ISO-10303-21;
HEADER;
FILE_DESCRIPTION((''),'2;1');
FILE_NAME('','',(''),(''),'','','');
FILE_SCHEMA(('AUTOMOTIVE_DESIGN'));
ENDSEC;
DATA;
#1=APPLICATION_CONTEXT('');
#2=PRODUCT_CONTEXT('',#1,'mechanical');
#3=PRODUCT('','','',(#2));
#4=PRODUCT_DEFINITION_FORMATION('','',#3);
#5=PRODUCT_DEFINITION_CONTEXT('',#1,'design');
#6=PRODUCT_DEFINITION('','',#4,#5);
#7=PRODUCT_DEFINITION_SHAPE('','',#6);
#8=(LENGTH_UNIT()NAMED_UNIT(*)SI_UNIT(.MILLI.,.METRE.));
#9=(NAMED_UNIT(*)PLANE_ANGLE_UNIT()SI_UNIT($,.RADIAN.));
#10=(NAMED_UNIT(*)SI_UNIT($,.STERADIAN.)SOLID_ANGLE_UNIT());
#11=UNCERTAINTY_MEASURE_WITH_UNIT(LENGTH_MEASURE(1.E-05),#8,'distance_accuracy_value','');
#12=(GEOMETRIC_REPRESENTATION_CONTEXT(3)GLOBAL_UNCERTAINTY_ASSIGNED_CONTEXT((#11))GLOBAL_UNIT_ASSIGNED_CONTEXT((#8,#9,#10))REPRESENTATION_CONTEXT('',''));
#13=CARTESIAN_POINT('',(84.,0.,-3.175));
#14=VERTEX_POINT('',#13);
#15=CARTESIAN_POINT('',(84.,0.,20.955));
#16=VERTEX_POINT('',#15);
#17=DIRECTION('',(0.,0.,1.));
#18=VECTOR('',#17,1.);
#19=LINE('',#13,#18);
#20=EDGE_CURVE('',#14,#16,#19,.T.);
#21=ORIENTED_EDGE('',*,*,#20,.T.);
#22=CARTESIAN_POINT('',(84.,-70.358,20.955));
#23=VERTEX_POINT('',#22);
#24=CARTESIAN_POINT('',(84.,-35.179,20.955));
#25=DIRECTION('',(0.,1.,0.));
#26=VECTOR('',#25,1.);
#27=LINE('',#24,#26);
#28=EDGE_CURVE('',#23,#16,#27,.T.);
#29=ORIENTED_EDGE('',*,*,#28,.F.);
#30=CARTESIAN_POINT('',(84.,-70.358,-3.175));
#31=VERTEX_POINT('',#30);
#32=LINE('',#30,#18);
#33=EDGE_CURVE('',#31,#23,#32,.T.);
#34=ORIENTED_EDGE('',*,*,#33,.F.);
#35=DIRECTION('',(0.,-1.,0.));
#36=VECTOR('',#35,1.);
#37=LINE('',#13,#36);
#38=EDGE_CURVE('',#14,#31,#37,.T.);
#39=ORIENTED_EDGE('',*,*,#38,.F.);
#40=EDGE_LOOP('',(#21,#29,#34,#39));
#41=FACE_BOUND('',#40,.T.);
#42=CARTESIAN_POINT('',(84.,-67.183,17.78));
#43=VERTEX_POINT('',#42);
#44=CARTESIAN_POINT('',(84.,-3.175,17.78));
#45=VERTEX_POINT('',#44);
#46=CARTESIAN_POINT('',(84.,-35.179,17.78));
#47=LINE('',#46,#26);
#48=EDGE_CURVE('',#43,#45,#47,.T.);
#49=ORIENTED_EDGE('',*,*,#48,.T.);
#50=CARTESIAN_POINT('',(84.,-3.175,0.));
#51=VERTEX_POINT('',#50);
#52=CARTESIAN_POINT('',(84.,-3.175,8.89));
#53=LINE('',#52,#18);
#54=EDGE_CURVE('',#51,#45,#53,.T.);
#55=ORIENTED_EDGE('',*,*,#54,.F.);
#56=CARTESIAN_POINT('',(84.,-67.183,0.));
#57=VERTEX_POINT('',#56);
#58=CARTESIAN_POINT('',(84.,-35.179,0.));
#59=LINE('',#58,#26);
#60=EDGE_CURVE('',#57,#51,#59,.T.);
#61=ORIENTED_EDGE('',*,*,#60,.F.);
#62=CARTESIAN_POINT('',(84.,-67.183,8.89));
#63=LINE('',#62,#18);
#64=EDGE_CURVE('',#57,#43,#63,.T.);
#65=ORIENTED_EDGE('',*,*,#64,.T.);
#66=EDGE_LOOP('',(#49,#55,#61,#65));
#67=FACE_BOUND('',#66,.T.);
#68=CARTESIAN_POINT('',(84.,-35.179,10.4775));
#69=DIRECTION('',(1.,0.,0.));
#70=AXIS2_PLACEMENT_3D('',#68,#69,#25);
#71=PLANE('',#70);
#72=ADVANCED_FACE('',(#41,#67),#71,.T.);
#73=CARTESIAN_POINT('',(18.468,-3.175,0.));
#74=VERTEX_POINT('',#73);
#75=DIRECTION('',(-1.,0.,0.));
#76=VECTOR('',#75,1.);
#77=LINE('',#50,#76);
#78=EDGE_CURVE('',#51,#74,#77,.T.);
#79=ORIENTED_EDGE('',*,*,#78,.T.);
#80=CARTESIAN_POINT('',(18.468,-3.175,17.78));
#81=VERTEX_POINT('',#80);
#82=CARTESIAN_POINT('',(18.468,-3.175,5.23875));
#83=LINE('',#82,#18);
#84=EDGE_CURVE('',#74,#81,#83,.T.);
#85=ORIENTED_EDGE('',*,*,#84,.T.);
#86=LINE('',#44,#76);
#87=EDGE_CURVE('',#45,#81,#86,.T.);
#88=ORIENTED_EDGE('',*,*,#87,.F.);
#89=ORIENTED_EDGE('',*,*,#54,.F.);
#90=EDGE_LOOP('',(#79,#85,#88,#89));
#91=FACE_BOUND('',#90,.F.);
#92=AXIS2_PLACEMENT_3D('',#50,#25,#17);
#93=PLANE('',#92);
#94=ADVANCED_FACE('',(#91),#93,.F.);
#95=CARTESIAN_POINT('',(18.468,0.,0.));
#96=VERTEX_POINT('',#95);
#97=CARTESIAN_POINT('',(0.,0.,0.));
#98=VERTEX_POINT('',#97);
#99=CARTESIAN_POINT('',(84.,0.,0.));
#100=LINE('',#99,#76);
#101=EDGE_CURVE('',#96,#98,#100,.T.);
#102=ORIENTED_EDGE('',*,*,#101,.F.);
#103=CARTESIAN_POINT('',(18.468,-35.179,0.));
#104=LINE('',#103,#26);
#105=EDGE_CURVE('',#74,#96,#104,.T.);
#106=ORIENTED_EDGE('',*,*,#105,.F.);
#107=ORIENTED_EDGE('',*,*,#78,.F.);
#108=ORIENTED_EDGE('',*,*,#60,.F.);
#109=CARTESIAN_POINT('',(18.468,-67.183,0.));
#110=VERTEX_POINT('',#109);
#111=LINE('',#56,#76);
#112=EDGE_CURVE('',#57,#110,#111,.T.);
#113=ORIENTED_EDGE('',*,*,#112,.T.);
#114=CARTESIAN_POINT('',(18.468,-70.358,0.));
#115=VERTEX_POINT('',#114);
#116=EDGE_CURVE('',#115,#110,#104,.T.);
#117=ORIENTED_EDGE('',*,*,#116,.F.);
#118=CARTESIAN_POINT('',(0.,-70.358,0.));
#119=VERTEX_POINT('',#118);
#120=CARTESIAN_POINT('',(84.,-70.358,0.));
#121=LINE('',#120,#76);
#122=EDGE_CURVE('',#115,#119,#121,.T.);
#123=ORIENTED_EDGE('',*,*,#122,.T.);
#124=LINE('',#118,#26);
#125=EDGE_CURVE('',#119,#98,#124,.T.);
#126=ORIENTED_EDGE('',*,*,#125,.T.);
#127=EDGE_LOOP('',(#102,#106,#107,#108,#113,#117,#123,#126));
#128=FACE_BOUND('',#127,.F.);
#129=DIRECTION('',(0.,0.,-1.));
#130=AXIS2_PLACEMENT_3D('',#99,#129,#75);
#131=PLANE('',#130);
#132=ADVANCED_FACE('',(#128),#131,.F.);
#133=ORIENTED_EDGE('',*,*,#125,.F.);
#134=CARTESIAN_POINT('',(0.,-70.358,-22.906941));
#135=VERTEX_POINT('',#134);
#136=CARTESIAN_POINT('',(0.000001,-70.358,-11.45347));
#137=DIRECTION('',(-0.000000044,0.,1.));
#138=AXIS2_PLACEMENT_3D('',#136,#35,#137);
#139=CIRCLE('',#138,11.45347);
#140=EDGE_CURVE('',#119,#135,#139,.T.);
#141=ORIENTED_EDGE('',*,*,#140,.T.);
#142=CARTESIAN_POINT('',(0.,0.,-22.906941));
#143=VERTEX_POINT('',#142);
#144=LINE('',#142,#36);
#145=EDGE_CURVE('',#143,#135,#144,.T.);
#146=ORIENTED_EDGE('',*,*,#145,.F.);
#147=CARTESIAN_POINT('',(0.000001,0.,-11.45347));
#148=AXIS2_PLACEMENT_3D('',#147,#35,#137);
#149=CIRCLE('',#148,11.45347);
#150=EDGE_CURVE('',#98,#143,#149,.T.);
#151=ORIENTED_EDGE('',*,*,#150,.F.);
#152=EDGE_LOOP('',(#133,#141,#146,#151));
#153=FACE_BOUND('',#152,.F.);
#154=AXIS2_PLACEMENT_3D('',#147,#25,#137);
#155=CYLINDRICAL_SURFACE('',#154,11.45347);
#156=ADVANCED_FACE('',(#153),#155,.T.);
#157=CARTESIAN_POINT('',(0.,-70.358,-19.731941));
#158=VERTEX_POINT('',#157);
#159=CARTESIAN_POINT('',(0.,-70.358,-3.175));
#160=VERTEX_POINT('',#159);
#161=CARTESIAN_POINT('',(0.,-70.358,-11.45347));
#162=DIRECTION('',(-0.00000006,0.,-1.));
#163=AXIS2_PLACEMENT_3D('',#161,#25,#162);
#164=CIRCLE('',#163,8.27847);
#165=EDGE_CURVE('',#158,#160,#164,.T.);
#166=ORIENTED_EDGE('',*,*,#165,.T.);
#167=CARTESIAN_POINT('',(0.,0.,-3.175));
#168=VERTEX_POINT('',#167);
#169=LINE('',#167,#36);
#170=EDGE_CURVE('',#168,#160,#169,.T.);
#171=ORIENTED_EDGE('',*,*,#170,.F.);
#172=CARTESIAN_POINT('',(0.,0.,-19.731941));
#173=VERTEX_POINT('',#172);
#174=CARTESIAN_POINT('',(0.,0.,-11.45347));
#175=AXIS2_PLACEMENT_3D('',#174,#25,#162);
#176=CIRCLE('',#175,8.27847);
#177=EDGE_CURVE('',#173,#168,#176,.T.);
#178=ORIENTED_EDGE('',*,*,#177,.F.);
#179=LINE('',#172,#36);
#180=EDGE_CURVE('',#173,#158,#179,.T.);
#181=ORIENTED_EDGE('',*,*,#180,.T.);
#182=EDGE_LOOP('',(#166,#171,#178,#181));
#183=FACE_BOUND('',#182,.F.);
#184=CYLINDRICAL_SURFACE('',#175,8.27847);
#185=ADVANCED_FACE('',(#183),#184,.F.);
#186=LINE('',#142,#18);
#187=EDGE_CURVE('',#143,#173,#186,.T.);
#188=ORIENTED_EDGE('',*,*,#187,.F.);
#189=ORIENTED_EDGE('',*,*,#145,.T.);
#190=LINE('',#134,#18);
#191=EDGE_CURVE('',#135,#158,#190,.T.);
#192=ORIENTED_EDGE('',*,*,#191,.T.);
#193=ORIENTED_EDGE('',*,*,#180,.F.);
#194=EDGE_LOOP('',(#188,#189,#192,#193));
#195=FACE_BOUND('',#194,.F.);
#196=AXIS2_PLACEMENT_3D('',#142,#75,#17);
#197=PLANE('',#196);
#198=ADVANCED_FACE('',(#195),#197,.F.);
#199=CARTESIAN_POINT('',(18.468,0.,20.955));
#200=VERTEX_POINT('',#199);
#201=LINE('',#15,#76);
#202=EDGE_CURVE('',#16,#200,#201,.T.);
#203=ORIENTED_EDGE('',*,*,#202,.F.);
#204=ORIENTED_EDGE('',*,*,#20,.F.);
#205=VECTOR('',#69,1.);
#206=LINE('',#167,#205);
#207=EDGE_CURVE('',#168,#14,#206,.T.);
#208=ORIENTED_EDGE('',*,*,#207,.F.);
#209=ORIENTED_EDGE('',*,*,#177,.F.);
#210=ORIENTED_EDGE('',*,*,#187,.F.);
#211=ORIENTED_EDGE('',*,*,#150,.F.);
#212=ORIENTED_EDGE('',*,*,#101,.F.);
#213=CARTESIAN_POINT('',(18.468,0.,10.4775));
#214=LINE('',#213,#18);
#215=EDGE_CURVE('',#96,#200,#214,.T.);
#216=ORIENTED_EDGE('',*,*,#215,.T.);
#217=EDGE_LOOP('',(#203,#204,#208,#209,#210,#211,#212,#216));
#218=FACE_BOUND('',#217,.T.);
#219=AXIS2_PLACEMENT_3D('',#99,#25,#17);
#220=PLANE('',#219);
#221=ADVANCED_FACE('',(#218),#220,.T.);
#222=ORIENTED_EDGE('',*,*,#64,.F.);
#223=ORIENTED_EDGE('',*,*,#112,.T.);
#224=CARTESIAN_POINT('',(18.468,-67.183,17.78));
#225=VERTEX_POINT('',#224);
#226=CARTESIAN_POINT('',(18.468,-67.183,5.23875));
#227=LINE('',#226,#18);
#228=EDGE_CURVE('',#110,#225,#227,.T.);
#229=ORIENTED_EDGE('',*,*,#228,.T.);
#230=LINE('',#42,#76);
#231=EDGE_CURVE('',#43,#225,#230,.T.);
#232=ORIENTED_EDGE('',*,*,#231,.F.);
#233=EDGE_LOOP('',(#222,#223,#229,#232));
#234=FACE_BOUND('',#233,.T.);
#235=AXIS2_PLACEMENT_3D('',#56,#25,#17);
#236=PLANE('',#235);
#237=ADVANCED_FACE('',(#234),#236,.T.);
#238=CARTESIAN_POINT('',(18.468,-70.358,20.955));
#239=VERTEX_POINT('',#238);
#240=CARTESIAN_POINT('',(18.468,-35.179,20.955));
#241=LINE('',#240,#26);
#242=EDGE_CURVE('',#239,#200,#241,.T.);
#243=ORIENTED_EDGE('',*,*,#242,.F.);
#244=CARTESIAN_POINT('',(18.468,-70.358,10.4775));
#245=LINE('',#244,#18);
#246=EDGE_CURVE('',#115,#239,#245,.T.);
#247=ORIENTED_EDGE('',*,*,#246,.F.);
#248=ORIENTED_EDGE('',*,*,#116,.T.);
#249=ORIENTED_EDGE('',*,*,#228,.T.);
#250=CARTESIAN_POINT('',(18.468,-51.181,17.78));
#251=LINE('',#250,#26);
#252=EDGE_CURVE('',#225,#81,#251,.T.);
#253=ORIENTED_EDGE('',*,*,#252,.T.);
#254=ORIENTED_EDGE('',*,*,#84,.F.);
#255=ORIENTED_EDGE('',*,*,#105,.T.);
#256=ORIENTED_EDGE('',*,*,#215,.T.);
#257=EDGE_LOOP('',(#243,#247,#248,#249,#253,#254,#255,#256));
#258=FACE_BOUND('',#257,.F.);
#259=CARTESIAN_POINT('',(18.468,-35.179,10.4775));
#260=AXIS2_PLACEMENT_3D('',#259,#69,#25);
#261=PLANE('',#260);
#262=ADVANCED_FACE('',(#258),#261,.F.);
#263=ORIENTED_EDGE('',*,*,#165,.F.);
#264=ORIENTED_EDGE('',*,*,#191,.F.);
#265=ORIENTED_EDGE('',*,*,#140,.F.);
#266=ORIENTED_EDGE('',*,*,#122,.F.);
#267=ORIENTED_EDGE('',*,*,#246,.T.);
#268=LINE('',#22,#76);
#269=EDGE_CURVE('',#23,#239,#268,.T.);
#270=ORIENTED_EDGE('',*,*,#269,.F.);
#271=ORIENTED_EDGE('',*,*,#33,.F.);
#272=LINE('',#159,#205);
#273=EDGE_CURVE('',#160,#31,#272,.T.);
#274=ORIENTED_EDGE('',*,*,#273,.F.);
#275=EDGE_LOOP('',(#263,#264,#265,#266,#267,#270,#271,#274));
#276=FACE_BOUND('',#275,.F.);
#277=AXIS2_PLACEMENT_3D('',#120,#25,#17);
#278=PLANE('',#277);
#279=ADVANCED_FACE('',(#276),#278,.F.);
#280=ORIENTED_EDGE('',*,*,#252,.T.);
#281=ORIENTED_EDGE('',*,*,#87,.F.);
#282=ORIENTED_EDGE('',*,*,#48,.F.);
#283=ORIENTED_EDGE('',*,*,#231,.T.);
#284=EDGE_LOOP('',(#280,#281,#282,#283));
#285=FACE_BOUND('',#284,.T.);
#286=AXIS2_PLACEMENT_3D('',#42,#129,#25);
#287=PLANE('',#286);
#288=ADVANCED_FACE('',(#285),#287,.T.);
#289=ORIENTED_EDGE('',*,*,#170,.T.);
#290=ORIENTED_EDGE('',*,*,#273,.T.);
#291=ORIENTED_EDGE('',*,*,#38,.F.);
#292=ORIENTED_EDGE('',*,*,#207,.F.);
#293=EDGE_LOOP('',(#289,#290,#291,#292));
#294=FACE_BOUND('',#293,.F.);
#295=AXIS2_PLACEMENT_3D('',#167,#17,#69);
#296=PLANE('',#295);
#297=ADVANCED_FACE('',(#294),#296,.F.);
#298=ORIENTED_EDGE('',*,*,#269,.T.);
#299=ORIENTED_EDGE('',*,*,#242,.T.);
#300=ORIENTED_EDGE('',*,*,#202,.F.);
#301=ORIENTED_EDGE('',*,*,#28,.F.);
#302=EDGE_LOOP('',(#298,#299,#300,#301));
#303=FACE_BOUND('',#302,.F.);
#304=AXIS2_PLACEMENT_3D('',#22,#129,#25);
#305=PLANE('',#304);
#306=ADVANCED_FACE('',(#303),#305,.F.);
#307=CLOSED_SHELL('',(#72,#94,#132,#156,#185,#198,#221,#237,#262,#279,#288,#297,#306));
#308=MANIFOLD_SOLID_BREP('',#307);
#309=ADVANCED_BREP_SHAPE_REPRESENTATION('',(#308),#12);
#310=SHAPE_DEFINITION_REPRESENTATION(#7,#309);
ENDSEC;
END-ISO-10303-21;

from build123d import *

# Parameters (mm, degrees)
F1_DEPTH = 70.358
F2_W     = 70.358
F2_H     = 20.955
F3_DEPTH = 65.532
F4_W     = 64.008
F4_H     = 17.78
F5_DEPTH = 93.472


with BuildPart() as f1:
    # F0 (on Front) → F1 (new body)
    with BuildSketch(Plane.XZ):
        with BuildLine():
            ThreePointArc((0, -19.731941), (-8.27847, -11.45347), (0, -3.175))
            Line((0, -3.175), (84, -3.175))
            Line((84, -3.175), (84, 0))
            Line((84, 0), (0, 0))
            ThreePointArc((0, 0), (-11.45347, -11.45347), (0, -22.906941))
            Line((0, -22.906941), (0, -19.731941))
        make_face()
    extrude(amount=F1_DEPTH)

    # F2 (on face) → F3 (join)
    with BuildSketch(Plane.YZ.offset(84)):
        with Locations((-35.179, 10.4775)):
            Rectangle(F2_W, F2_H)
    extrude(amount=-F3_DEPTH)

    # F4 (on face) → F5 (cut)
    with BuildSketch(Plane.YZ.offset(84)):
        with Locations((-35.179, 8.89)):
            Rectangle(F4_W, F4_H)
    extrude(amount=-F5_DEPTH, mode=Mode.SUBTRACT)


solid = f1.part
